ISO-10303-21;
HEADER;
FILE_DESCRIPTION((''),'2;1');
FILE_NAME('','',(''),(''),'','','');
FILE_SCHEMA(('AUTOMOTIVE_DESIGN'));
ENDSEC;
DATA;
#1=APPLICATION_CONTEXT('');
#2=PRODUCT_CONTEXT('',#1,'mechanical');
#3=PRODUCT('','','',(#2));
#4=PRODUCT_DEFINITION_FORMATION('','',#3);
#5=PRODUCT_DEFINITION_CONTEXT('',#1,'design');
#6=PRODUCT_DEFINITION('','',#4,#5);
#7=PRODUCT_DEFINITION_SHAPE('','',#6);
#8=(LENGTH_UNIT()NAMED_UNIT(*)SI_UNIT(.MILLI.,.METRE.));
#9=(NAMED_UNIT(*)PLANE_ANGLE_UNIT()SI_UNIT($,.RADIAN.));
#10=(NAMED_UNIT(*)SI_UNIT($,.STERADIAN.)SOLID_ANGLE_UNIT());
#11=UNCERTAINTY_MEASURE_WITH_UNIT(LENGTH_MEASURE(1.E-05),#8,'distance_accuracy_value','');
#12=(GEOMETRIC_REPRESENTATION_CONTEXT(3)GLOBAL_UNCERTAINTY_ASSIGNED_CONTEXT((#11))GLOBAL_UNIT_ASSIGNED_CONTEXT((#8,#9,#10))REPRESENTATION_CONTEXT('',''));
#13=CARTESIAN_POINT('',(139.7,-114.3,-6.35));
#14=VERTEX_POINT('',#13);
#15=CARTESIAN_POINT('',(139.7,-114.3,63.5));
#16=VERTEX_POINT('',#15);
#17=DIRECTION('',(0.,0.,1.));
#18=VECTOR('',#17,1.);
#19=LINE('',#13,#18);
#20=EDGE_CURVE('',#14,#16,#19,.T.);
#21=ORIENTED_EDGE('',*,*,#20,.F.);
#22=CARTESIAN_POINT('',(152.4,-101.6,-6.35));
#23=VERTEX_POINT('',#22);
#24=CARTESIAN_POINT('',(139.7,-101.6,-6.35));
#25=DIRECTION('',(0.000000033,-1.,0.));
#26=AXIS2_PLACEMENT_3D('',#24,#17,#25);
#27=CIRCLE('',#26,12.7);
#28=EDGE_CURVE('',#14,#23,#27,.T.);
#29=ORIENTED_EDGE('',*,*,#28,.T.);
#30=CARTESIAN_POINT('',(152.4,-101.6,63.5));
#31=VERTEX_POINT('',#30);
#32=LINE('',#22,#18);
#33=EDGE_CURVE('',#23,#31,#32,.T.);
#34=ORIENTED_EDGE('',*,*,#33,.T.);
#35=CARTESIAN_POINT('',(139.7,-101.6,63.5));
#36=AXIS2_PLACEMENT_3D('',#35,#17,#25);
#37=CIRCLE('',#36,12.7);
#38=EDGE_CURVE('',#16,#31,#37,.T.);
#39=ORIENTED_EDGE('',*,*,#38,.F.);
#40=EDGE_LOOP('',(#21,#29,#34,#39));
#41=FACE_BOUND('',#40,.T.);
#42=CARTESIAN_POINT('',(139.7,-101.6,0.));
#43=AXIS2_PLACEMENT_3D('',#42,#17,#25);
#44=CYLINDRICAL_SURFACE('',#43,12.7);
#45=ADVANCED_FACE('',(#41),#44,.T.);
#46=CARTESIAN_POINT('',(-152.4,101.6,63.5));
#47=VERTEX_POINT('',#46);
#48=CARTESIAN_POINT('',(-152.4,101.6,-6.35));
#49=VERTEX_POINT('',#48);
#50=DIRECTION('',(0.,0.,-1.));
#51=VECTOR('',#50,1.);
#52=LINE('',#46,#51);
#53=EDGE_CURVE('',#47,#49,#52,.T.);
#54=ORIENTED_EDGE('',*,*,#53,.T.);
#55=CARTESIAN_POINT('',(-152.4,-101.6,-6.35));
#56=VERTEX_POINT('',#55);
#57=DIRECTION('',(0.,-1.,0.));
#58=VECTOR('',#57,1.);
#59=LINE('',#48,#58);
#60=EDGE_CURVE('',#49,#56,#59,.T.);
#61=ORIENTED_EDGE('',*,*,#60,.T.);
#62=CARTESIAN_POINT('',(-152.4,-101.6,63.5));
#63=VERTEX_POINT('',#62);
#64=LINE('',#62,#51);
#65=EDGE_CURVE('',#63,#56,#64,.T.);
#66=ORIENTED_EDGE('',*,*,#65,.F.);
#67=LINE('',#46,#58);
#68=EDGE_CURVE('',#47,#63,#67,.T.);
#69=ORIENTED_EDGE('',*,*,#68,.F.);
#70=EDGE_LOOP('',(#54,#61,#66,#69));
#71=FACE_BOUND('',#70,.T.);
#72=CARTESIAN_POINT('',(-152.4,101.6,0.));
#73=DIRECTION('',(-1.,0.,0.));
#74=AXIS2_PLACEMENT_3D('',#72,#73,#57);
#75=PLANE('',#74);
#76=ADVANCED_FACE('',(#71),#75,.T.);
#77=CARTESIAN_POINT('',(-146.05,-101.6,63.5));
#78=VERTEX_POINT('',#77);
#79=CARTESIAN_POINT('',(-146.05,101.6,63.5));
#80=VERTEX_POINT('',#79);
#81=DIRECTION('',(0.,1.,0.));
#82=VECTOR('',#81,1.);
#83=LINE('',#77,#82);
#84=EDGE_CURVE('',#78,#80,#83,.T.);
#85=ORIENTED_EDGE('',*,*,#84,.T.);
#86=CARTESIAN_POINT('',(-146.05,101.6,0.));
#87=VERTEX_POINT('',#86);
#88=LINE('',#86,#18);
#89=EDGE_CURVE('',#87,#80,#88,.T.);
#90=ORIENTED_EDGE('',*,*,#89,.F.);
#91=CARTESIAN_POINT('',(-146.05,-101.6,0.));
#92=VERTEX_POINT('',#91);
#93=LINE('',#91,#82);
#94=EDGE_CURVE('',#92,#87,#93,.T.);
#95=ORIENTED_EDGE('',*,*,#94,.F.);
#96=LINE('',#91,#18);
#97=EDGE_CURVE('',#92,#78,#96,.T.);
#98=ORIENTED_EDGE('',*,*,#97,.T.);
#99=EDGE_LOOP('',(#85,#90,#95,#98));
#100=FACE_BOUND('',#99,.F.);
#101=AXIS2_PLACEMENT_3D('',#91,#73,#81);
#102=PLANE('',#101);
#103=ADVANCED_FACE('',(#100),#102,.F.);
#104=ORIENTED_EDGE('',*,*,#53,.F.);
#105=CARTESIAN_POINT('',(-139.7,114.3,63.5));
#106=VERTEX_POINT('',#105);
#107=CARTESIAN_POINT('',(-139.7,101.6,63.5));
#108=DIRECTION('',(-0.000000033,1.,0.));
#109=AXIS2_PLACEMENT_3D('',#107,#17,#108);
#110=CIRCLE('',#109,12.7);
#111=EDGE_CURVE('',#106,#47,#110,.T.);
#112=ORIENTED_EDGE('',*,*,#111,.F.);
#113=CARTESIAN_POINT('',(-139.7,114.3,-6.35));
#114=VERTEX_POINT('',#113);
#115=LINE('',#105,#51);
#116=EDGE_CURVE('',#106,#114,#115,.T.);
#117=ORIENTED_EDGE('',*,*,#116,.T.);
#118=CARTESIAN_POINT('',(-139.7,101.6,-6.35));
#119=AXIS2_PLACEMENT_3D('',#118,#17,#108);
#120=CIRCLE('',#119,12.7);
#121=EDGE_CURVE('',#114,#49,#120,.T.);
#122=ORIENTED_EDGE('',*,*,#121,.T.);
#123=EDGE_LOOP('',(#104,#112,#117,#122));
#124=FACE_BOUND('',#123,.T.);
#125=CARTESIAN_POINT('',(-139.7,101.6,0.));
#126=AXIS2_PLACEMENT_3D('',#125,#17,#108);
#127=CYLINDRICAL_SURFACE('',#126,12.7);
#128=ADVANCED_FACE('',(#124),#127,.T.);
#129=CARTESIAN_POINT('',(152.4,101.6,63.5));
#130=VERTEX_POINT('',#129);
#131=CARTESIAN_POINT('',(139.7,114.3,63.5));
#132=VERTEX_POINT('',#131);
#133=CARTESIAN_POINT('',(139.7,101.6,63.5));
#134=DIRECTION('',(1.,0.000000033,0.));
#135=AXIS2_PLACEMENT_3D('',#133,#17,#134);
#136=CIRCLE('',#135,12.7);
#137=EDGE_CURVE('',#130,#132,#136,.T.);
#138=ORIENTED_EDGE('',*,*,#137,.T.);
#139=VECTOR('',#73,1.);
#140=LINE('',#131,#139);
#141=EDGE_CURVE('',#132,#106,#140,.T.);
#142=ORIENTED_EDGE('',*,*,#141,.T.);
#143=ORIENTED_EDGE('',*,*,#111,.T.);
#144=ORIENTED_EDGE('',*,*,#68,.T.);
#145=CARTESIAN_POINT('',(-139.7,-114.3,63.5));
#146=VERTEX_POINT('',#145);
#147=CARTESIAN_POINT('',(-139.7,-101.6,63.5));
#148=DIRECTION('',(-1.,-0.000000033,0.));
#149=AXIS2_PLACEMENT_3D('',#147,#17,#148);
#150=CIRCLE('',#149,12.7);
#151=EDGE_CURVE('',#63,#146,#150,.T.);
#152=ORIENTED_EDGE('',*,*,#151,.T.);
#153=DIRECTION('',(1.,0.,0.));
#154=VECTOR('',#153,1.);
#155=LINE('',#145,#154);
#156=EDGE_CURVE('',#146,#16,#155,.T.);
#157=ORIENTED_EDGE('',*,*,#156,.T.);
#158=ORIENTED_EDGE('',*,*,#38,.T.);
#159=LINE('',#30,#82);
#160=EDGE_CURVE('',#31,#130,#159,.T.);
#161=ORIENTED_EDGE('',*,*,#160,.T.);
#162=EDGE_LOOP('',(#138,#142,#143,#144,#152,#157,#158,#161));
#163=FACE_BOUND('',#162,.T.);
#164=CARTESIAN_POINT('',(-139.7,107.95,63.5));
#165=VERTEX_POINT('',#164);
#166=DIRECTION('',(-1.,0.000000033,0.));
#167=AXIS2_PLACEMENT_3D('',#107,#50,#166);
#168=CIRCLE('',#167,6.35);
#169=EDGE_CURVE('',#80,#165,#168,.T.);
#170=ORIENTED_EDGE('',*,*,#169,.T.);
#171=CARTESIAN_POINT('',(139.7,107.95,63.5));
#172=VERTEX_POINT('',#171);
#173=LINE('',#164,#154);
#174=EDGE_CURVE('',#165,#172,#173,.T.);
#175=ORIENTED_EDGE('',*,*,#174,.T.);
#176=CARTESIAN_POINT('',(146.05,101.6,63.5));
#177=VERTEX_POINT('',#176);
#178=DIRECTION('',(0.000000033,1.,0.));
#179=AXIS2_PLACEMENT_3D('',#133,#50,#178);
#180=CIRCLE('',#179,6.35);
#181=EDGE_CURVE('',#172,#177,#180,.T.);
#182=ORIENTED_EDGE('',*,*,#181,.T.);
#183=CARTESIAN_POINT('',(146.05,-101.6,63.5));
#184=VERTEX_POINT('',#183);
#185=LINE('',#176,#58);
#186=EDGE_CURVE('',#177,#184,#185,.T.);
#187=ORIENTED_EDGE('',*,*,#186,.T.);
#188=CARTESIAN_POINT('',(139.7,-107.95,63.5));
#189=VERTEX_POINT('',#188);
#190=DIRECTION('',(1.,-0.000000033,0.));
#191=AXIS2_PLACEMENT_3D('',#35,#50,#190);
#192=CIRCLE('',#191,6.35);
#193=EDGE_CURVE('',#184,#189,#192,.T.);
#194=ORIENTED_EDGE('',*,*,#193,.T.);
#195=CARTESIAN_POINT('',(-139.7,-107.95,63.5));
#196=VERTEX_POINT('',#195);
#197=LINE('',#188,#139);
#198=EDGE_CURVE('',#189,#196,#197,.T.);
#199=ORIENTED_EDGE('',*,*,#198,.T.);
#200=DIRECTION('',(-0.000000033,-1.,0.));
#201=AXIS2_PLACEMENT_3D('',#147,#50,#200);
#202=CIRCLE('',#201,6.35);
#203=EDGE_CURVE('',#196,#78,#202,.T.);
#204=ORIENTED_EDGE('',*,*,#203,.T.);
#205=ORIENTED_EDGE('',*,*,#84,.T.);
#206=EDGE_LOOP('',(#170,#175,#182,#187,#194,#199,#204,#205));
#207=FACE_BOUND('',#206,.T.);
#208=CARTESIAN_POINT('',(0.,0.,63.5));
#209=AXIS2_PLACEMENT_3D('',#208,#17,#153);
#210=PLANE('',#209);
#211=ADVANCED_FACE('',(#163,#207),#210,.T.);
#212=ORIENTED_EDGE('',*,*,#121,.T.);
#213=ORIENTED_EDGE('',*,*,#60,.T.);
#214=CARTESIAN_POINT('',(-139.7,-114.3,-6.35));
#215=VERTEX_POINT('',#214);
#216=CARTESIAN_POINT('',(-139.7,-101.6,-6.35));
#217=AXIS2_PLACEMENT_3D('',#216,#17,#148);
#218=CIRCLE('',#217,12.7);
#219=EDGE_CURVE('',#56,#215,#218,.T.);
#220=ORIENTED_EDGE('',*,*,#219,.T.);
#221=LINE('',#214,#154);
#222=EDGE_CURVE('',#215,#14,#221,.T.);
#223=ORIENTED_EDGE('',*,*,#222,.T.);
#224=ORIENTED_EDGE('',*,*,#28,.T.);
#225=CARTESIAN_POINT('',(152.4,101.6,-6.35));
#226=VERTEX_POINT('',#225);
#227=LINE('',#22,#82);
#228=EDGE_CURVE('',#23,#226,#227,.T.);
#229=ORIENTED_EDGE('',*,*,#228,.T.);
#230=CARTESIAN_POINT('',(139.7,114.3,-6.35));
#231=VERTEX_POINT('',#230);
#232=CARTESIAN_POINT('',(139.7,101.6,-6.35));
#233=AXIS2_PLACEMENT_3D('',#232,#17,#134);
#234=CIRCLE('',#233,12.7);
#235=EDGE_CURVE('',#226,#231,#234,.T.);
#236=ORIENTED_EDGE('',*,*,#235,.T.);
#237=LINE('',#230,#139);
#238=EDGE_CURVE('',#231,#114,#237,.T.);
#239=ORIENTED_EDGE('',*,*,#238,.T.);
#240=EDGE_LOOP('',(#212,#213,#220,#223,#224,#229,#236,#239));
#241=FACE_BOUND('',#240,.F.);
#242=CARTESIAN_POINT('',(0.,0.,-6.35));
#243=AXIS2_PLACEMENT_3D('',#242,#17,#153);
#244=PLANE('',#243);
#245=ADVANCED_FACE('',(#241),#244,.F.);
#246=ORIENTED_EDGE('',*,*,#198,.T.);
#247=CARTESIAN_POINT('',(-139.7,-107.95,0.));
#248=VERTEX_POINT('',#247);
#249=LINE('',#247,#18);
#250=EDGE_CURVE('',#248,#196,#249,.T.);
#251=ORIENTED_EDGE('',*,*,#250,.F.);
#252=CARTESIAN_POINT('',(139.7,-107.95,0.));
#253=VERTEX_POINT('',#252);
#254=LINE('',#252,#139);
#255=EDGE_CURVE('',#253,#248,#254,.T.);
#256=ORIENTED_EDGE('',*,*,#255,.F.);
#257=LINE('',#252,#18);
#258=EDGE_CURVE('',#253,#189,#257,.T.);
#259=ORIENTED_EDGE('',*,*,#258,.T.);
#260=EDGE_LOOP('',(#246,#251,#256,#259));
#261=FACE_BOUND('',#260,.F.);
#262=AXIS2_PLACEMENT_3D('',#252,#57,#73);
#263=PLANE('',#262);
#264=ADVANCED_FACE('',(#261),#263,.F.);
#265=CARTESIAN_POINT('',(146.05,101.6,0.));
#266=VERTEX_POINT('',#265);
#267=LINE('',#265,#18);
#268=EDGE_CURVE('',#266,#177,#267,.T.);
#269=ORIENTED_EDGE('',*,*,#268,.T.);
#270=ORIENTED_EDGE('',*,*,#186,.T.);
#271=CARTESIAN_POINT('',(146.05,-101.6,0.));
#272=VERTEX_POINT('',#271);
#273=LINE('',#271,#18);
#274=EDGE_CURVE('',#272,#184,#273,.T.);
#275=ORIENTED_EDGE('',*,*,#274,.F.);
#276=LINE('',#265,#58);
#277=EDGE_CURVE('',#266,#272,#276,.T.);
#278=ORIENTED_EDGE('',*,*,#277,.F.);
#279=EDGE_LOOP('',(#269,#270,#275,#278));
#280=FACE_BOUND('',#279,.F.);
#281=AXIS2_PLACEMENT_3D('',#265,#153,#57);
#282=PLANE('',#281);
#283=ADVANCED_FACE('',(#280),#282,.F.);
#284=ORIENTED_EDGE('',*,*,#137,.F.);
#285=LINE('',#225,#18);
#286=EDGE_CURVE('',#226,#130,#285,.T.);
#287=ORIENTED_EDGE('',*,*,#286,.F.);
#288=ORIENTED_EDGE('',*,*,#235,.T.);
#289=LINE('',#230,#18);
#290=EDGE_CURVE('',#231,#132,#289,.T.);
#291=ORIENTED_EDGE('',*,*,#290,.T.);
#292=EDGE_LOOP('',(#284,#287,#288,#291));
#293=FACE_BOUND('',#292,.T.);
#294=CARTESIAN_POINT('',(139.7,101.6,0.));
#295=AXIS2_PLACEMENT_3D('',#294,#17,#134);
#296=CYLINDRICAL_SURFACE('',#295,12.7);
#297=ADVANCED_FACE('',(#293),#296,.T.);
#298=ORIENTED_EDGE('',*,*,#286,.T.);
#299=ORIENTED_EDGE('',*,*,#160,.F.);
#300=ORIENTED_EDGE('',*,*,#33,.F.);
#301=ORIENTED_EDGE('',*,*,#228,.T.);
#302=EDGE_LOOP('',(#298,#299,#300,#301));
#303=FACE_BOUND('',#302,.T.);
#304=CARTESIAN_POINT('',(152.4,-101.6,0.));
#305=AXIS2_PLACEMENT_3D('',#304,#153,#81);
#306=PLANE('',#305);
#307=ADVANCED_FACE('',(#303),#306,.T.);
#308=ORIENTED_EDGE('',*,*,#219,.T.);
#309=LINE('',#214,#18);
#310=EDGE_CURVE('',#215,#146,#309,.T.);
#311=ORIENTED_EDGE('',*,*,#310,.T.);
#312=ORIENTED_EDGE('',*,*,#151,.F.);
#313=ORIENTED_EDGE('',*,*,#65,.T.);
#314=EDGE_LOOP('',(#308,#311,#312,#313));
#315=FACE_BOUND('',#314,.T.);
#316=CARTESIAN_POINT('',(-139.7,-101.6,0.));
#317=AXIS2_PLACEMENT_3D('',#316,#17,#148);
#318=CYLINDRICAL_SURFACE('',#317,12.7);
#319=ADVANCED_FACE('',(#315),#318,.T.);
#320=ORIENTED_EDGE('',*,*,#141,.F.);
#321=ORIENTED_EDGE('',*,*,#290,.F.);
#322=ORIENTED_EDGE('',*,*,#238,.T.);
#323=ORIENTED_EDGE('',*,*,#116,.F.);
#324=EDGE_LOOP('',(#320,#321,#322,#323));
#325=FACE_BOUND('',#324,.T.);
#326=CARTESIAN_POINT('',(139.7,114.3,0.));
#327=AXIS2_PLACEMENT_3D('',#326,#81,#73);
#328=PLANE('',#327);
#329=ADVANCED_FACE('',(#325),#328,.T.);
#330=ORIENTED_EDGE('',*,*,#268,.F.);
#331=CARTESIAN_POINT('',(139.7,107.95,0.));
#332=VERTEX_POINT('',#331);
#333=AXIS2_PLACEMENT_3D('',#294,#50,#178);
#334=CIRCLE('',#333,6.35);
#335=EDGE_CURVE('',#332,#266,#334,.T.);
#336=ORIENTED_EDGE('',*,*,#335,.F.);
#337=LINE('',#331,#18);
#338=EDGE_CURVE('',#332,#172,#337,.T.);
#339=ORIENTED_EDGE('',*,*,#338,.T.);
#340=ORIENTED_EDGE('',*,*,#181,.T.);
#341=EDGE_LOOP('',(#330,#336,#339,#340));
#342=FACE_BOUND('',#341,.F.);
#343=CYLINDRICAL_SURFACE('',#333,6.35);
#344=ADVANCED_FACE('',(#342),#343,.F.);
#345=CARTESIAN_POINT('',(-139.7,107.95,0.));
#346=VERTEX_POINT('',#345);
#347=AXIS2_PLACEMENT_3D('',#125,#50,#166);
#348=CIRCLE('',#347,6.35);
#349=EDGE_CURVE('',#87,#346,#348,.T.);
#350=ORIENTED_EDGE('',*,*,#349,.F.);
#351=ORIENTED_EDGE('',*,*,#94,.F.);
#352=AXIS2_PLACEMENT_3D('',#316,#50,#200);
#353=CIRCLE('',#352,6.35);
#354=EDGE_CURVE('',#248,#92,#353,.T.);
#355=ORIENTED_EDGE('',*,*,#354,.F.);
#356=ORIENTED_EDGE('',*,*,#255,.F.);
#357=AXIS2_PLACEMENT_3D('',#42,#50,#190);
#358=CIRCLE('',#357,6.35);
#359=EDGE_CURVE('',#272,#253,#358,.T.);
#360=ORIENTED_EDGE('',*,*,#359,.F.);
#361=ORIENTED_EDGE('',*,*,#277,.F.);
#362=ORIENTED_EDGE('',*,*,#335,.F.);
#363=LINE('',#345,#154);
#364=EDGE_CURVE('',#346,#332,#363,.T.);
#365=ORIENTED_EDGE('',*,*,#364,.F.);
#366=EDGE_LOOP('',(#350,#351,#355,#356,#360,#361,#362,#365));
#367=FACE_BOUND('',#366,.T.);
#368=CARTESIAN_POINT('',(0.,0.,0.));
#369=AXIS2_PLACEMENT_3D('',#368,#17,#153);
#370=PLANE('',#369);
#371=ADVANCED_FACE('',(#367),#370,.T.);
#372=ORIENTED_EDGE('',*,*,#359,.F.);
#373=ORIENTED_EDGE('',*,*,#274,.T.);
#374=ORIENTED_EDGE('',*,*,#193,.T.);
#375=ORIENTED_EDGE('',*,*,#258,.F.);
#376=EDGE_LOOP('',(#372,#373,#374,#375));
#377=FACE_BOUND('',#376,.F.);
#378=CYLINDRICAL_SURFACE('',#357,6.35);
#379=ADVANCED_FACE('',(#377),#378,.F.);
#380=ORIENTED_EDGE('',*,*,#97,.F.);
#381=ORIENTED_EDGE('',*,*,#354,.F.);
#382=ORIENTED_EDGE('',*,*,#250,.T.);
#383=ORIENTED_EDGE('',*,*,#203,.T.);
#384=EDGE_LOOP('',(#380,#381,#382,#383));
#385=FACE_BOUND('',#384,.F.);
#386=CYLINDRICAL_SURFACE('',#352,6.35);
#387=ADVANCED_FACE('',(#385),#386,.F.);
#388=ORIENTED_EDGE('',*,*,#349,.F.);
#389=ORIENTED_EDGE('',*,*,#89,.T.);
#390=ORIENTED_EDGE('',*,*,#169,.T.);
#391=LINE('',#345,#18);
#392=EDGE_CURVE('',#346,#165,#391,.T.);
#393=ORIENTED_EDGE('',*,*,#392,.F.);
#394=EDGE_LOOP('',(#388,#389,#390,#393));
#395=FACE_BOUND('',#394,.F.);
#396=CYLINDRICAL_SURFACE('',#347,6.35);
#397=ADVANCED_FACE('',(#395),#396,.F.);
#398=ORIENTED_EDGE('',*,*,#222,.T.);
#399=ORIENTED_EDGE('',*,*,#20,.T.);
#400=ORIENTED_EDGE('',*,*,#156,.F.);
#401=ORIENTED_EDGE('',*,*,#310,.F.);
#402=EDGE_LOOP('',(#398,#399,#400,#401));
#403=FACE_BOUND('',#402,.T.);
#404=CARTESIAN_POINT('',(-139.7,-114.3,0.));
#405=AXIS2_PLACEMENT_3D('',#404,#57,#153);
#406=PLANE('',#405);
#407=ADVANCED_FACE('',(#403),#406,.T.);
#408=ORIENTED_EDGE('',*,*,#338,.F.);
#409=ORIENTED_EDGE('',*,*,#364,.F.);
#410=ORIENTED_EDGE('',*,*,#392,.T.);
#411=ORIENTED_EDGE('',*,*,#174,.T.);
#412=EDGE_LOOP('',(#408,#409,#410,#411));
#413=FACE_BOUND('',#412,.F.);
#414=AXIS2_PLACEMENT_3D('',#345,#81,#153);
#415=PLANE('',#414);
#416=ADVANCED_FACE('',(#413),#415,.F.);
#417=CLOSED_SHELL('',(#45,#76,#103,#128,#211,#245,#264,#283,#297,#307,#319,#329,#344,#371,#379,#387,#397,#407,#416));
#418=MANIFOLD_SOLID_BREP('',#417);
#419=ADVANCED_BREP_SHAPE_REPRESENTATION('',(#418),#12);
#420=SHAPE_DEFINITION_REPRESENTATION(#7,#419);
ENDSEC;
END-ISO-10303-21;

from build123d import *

# Parameters (mm, degrees)
F1_DEPTH = 63.5
F3_DEPTH = 6.35


with BuildPart() as f1:
    # F0 (on Top) → F1 (new body)
    with BuildSketch(Plane.XY):
        with BuildLine():
            Line((139.7, 114.3), (-139.7, 114.3))
            ThreePointArc((-139.7, 114.3), (-148.680256, 110.580256), (-152.4, 101.6))
            Line((-152.4, 101.6), (-152.4, -101.6))
            ThreePointArc((-152.4, -101.6), (-148.680256, -110.580256), (-139.7, -114.3))
            Line((-139.7, -114.3), (139.7, -114.3))
            ThreePointArc((139.7, -114.3), (148.680256, -110.580256), (152.4, -101.6))
            Line((152.4, -101.6), (152.4, 101.6))
            ThreePointArc((152.4, 101.6), (148.680256, 110.580256), (139.7, 114.3))
        make_face()
        with BuildLine():
            ThreePointArc((-146.05, 101.6), (-144.190128, 106.090128), (-139.7, 107.95))
            Line((-139.7, 107.95), (139.7, 107.95))
            ThreePointArc((139.7, 107.95), (144.190128, 106.090128), (146.05, 101.6))
            Line((146.05, 101.6), (146.05, -101.6))
            ThreePointArc((146.05, -101.6), (144.190128, -106.090128), (139.7, -107.95))
            Line((139.7, -107.95), (-139.7, -107.95))
            ThreePointArc((-139.7, -107.95), (-144.190128, -106.090128), (-146.05, -101.6))
            Line((-146.05, -101.6), (-146.05, 101.6))
        make_face(mode=Mode.SUBTRACT)
    extrude(amount=F1_DEPTH)

    # F2 (on Top) → F3 (join)
    with BuildSketch(Plane.XY):
        with BuildLine():
            ThreePointArc((-152.4, -101.6), (-148.680256, -110.580256), (-139.7, -114.3))
            Line((-139.7, -114.3), (139.7, -114.3))
            ThreePointArc((139.7, -114.3), (148.680256, -110.580256), (152.4, -101.6))
            Line((152.4, -101.6), (152.4, 101.6))
            ThreePointArc((152.4, 101.6), (148.680256, 110.580256), (139.7, 114.3))
            Line((139.7, 114.3), (-139.7, 114.3))
            ThreePointArc((-139.7, 114.3), (-148.680256, 110.580256), (-152.4, 101.6))
            Line((-152.4, 101.6), (-152.4, -101.6))
        make_face()
    extrude(amount=-F3_DEPTH)


solid = f1.part
